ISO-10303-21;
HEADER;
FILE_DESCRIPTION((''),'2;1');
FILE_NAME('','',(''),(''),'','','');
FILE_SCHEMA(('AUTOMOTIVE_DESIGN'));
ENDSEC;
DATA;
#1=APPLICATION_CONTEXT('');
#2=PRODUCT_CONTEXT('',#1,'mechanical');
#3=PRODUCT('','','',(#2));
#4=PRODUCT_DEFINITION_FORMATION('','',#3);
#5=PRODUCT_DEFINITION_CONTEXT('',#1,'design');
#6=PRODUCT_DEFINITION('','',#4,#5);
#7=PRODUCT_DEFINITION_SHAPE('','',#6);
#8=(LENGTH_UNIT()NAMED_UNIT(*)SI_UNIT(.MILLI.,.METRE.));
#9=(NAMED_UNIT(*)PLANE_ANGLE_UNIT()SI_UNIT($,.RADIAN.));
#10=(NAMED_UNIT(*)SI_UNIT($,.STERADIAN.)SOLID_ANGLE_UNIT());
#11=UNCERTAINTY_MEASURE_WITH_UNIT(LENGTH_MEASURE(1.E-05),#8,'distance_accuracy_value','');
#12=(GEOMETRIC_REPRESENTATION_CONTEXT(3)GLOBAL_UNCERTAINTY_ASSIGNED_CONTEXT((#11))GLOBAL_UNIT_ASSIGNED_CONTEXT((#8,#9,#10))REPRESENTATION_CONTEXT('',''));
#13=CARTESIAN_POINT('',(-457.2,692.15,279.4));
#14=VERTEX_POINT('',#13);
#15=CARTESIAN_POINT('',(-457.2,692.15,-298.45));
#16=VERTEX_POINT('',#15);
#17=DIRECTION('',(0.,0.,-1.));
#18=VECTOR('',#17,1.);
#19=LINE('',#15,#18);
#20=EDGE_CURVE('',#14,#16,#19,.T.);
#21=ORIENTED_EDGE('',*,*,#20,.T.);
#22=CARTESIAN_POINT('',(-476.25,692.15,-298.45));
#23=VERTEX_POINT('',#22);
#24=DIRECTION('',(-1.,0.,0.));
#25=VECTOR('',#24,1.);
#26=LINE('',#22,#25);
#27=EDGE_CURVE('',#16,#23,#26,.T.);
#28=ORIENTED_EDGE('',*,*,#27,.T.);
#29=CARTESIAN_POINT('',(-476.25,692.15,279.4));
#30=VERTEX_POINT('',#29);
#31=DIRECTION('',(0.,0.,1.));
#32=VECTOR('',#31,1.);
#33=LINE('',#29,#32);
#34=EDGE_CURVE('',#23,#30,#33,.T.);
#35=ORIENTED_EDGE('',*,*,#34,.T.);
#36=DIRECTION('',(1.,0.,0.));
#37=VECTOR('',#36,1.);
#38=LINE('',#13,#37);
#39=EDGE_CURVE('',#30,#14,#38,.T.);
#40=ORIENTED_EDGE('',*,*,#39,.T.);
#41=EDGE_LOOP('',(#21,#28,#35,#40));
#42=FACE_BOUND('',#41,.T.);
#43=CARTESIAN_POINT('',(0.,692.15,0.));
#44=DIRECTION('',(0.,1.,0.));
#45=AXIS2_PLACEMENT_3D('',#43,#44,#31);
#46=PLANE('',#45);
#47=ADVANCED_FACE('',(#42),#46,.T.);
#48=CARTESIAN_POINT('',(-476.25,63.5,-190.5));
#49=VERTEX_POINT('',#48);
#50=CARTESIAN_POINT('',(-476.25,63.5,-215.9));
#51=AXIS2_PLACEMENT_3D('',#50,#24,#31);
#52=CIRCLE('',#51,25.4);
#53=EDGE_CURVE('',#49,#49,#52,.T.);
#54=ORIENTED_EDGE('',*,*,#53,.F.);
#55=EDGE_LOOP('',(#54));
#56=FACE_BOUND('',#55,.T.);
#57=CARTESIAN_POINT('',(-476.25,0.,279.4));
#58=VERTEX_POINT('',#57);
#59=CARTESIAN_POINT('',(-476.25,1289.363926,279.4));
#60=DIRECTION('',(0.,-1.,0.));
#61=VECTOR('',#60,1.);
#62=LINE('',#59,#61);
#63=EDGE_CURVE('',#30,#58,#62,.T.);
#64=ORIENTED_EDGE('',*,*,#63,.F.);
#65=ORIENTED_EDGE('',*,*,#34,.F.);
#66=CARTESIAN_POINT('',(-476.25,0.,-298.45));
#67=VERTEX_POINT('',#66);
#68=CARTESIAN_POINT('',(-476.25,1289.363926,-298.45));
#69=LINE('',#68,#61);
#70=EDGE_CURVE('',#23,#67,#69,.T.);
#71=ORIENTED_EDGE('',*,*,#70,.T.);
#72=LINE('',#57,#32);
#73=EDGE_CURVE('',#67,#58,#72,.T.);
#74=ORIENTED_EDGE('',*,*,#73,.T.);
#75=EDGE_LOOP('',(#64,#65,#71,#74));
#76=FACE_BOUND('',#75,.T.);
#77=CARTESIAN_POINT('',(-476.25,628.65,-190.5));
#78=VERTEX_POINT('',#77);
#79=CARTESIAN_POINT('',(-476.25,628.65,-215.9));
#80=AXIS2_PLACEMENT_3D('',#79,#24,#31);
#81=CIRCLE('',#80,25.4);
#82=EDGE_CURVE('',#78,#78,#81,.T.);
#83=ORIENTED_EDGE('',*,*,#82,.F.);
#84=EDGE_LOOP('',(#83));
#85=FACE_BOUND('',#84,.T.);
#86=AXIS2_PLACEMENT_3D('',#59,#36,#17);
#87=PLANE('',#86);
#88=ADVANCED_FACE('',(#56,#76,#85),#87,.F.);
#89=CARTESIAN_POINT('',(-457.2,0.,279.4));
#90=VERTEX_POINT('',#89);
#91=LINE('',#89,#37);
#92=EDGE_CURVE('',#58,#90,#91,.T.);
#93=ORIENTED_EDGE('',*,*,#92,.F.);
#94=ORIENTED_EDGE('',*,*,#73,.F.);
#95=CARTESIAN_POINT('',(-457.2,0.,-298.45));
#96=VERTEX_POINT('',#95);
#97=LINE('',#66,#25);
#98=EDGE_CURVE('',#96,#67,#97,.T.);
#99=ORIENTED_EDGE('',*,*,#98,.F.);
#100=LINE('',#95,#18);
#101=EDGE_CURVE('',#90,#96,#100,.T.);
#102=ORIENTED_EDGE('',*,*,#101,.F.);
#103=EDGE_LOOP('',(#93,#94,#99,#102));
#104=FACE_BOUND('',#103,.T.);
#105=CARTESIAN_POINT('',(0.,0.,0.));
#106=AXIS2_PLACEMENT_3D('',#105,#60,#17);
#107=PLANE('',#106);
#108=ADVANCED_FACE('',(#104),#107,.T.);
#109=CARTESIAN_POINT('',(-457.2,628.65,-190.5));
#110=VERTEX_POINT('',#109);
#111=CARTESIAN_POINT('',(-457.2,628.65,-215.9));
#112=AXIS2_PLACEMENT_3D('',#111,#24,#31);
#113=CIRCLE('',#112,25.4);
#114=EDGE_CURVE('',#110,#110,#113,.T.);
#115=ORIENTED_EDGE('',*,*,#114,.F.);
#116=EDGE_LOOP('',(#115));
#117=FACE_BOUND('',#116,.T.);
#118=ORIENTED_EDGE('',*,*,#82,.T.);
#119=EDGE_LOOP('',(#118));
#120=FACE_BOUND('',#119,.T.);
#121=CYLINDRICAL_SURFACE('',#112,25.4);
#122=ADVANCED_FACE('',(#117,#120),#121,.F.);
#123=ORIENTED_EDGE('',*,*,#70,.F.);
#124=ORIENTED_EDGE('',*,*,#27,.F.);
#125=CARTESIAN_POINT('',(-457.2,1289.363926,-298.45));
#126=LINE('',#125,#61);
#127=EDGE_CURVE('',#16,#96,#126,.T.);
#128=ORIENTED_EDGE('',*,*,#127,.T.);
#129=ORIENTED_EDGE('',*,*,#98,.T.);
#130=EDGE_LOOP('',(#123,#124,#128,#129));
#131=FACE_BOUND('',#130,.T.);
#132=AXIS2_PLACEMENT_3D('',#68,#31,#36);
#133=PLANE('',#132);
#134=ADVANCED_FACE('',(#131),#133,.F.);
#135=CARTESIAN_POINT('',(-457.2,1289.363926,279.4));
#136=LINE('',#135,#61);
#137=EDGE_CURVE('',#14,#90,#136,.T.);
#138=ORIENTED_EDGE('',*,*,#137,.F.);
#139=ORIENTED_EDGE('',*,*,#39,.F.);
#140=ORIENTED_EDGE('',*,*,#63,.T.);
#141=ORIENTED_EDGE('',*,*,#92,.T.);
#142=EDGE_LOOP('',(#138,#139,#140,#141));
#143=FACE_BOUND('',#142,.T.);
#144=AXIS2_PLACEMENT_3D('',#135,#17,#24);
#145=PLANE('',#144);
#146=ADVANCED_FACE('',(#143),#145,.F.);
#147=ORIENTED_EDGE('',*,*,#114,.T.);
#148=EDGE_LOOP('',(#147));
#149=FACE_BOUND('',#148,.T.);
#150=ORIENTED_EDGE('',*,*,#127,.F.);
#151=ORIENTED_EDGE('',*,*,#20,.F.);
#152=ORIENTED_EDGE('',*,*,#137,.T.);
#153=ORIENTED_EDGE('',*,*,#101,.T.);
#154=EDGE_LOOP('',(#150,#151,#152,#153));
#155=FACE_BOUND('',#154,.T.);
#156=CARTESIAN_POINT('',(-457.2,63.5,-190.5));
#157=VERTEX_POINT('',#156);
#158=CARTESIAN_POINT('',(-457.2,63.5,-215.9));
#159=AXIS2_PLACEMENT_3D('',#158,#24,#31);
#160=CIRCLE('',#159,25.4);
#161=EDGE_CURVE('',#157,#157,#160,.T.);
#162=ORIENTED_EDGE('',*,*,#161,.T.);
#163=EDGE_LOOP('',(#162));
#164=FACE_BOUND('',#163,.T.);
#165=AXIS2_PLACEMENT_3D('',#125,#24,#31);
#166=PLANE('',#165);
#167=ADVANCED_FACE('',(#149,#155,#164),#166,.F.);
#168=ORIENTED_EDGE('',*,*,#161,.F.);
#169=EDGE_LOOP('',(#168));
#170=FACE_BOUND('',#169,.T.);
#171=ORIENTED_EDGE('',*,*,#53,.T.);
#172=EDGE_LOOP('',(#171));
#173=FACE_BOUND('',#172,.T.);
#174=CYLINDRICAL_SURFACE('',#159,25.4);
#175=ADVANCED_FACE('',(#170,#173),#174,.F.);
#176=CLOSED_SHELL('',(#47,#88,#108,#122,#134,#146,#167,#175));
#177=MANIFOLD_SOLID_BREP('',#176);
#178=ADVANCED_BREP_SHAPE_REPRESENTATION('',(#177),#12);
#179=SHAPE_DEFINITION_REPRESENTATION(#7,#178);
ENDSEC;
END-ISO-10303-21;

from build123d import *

# Parameters (mm, degrees)
SKETCH1_W           = 19.05
SKETCH1_H           = 577.85
BOSS_EXTRUDE1_DEPTH = 692.15
SKETCH2_R           = 25.4
CUT_EXTRUDE1_DEPTH  = 754.993983729


with BuildPart() as part:
    # Sketch1 → Boss-Extrude1 (new body)
    with BuildSketch(Plane(origin=(0, 0, 0), x_dir=(1, 0, 0), z_dir=(0, 1, 0))):
        with Locations((-466.725, 9.525)):
            Rectangle(SKETCH1_W, SKETCH1_H)
    extrude(amount=BOSS_EXTRUDE1_DEPTH)

    # Sketch2 → Cut-Extrude1 (cut, through all)
    with BuildSketch(Plane.ZY.offset(476.25)):
        with Locations((-215.9, 628.65)):
            Circle(SKETCH2_R)
        with Locations((-215.9, 63.5)):
            Circle(SKETCH2_R)
    extrude(amount=-CUT_EXTRUDE1_DEPTH, mode=Mode.SUBTRACT)


solid = part.part
